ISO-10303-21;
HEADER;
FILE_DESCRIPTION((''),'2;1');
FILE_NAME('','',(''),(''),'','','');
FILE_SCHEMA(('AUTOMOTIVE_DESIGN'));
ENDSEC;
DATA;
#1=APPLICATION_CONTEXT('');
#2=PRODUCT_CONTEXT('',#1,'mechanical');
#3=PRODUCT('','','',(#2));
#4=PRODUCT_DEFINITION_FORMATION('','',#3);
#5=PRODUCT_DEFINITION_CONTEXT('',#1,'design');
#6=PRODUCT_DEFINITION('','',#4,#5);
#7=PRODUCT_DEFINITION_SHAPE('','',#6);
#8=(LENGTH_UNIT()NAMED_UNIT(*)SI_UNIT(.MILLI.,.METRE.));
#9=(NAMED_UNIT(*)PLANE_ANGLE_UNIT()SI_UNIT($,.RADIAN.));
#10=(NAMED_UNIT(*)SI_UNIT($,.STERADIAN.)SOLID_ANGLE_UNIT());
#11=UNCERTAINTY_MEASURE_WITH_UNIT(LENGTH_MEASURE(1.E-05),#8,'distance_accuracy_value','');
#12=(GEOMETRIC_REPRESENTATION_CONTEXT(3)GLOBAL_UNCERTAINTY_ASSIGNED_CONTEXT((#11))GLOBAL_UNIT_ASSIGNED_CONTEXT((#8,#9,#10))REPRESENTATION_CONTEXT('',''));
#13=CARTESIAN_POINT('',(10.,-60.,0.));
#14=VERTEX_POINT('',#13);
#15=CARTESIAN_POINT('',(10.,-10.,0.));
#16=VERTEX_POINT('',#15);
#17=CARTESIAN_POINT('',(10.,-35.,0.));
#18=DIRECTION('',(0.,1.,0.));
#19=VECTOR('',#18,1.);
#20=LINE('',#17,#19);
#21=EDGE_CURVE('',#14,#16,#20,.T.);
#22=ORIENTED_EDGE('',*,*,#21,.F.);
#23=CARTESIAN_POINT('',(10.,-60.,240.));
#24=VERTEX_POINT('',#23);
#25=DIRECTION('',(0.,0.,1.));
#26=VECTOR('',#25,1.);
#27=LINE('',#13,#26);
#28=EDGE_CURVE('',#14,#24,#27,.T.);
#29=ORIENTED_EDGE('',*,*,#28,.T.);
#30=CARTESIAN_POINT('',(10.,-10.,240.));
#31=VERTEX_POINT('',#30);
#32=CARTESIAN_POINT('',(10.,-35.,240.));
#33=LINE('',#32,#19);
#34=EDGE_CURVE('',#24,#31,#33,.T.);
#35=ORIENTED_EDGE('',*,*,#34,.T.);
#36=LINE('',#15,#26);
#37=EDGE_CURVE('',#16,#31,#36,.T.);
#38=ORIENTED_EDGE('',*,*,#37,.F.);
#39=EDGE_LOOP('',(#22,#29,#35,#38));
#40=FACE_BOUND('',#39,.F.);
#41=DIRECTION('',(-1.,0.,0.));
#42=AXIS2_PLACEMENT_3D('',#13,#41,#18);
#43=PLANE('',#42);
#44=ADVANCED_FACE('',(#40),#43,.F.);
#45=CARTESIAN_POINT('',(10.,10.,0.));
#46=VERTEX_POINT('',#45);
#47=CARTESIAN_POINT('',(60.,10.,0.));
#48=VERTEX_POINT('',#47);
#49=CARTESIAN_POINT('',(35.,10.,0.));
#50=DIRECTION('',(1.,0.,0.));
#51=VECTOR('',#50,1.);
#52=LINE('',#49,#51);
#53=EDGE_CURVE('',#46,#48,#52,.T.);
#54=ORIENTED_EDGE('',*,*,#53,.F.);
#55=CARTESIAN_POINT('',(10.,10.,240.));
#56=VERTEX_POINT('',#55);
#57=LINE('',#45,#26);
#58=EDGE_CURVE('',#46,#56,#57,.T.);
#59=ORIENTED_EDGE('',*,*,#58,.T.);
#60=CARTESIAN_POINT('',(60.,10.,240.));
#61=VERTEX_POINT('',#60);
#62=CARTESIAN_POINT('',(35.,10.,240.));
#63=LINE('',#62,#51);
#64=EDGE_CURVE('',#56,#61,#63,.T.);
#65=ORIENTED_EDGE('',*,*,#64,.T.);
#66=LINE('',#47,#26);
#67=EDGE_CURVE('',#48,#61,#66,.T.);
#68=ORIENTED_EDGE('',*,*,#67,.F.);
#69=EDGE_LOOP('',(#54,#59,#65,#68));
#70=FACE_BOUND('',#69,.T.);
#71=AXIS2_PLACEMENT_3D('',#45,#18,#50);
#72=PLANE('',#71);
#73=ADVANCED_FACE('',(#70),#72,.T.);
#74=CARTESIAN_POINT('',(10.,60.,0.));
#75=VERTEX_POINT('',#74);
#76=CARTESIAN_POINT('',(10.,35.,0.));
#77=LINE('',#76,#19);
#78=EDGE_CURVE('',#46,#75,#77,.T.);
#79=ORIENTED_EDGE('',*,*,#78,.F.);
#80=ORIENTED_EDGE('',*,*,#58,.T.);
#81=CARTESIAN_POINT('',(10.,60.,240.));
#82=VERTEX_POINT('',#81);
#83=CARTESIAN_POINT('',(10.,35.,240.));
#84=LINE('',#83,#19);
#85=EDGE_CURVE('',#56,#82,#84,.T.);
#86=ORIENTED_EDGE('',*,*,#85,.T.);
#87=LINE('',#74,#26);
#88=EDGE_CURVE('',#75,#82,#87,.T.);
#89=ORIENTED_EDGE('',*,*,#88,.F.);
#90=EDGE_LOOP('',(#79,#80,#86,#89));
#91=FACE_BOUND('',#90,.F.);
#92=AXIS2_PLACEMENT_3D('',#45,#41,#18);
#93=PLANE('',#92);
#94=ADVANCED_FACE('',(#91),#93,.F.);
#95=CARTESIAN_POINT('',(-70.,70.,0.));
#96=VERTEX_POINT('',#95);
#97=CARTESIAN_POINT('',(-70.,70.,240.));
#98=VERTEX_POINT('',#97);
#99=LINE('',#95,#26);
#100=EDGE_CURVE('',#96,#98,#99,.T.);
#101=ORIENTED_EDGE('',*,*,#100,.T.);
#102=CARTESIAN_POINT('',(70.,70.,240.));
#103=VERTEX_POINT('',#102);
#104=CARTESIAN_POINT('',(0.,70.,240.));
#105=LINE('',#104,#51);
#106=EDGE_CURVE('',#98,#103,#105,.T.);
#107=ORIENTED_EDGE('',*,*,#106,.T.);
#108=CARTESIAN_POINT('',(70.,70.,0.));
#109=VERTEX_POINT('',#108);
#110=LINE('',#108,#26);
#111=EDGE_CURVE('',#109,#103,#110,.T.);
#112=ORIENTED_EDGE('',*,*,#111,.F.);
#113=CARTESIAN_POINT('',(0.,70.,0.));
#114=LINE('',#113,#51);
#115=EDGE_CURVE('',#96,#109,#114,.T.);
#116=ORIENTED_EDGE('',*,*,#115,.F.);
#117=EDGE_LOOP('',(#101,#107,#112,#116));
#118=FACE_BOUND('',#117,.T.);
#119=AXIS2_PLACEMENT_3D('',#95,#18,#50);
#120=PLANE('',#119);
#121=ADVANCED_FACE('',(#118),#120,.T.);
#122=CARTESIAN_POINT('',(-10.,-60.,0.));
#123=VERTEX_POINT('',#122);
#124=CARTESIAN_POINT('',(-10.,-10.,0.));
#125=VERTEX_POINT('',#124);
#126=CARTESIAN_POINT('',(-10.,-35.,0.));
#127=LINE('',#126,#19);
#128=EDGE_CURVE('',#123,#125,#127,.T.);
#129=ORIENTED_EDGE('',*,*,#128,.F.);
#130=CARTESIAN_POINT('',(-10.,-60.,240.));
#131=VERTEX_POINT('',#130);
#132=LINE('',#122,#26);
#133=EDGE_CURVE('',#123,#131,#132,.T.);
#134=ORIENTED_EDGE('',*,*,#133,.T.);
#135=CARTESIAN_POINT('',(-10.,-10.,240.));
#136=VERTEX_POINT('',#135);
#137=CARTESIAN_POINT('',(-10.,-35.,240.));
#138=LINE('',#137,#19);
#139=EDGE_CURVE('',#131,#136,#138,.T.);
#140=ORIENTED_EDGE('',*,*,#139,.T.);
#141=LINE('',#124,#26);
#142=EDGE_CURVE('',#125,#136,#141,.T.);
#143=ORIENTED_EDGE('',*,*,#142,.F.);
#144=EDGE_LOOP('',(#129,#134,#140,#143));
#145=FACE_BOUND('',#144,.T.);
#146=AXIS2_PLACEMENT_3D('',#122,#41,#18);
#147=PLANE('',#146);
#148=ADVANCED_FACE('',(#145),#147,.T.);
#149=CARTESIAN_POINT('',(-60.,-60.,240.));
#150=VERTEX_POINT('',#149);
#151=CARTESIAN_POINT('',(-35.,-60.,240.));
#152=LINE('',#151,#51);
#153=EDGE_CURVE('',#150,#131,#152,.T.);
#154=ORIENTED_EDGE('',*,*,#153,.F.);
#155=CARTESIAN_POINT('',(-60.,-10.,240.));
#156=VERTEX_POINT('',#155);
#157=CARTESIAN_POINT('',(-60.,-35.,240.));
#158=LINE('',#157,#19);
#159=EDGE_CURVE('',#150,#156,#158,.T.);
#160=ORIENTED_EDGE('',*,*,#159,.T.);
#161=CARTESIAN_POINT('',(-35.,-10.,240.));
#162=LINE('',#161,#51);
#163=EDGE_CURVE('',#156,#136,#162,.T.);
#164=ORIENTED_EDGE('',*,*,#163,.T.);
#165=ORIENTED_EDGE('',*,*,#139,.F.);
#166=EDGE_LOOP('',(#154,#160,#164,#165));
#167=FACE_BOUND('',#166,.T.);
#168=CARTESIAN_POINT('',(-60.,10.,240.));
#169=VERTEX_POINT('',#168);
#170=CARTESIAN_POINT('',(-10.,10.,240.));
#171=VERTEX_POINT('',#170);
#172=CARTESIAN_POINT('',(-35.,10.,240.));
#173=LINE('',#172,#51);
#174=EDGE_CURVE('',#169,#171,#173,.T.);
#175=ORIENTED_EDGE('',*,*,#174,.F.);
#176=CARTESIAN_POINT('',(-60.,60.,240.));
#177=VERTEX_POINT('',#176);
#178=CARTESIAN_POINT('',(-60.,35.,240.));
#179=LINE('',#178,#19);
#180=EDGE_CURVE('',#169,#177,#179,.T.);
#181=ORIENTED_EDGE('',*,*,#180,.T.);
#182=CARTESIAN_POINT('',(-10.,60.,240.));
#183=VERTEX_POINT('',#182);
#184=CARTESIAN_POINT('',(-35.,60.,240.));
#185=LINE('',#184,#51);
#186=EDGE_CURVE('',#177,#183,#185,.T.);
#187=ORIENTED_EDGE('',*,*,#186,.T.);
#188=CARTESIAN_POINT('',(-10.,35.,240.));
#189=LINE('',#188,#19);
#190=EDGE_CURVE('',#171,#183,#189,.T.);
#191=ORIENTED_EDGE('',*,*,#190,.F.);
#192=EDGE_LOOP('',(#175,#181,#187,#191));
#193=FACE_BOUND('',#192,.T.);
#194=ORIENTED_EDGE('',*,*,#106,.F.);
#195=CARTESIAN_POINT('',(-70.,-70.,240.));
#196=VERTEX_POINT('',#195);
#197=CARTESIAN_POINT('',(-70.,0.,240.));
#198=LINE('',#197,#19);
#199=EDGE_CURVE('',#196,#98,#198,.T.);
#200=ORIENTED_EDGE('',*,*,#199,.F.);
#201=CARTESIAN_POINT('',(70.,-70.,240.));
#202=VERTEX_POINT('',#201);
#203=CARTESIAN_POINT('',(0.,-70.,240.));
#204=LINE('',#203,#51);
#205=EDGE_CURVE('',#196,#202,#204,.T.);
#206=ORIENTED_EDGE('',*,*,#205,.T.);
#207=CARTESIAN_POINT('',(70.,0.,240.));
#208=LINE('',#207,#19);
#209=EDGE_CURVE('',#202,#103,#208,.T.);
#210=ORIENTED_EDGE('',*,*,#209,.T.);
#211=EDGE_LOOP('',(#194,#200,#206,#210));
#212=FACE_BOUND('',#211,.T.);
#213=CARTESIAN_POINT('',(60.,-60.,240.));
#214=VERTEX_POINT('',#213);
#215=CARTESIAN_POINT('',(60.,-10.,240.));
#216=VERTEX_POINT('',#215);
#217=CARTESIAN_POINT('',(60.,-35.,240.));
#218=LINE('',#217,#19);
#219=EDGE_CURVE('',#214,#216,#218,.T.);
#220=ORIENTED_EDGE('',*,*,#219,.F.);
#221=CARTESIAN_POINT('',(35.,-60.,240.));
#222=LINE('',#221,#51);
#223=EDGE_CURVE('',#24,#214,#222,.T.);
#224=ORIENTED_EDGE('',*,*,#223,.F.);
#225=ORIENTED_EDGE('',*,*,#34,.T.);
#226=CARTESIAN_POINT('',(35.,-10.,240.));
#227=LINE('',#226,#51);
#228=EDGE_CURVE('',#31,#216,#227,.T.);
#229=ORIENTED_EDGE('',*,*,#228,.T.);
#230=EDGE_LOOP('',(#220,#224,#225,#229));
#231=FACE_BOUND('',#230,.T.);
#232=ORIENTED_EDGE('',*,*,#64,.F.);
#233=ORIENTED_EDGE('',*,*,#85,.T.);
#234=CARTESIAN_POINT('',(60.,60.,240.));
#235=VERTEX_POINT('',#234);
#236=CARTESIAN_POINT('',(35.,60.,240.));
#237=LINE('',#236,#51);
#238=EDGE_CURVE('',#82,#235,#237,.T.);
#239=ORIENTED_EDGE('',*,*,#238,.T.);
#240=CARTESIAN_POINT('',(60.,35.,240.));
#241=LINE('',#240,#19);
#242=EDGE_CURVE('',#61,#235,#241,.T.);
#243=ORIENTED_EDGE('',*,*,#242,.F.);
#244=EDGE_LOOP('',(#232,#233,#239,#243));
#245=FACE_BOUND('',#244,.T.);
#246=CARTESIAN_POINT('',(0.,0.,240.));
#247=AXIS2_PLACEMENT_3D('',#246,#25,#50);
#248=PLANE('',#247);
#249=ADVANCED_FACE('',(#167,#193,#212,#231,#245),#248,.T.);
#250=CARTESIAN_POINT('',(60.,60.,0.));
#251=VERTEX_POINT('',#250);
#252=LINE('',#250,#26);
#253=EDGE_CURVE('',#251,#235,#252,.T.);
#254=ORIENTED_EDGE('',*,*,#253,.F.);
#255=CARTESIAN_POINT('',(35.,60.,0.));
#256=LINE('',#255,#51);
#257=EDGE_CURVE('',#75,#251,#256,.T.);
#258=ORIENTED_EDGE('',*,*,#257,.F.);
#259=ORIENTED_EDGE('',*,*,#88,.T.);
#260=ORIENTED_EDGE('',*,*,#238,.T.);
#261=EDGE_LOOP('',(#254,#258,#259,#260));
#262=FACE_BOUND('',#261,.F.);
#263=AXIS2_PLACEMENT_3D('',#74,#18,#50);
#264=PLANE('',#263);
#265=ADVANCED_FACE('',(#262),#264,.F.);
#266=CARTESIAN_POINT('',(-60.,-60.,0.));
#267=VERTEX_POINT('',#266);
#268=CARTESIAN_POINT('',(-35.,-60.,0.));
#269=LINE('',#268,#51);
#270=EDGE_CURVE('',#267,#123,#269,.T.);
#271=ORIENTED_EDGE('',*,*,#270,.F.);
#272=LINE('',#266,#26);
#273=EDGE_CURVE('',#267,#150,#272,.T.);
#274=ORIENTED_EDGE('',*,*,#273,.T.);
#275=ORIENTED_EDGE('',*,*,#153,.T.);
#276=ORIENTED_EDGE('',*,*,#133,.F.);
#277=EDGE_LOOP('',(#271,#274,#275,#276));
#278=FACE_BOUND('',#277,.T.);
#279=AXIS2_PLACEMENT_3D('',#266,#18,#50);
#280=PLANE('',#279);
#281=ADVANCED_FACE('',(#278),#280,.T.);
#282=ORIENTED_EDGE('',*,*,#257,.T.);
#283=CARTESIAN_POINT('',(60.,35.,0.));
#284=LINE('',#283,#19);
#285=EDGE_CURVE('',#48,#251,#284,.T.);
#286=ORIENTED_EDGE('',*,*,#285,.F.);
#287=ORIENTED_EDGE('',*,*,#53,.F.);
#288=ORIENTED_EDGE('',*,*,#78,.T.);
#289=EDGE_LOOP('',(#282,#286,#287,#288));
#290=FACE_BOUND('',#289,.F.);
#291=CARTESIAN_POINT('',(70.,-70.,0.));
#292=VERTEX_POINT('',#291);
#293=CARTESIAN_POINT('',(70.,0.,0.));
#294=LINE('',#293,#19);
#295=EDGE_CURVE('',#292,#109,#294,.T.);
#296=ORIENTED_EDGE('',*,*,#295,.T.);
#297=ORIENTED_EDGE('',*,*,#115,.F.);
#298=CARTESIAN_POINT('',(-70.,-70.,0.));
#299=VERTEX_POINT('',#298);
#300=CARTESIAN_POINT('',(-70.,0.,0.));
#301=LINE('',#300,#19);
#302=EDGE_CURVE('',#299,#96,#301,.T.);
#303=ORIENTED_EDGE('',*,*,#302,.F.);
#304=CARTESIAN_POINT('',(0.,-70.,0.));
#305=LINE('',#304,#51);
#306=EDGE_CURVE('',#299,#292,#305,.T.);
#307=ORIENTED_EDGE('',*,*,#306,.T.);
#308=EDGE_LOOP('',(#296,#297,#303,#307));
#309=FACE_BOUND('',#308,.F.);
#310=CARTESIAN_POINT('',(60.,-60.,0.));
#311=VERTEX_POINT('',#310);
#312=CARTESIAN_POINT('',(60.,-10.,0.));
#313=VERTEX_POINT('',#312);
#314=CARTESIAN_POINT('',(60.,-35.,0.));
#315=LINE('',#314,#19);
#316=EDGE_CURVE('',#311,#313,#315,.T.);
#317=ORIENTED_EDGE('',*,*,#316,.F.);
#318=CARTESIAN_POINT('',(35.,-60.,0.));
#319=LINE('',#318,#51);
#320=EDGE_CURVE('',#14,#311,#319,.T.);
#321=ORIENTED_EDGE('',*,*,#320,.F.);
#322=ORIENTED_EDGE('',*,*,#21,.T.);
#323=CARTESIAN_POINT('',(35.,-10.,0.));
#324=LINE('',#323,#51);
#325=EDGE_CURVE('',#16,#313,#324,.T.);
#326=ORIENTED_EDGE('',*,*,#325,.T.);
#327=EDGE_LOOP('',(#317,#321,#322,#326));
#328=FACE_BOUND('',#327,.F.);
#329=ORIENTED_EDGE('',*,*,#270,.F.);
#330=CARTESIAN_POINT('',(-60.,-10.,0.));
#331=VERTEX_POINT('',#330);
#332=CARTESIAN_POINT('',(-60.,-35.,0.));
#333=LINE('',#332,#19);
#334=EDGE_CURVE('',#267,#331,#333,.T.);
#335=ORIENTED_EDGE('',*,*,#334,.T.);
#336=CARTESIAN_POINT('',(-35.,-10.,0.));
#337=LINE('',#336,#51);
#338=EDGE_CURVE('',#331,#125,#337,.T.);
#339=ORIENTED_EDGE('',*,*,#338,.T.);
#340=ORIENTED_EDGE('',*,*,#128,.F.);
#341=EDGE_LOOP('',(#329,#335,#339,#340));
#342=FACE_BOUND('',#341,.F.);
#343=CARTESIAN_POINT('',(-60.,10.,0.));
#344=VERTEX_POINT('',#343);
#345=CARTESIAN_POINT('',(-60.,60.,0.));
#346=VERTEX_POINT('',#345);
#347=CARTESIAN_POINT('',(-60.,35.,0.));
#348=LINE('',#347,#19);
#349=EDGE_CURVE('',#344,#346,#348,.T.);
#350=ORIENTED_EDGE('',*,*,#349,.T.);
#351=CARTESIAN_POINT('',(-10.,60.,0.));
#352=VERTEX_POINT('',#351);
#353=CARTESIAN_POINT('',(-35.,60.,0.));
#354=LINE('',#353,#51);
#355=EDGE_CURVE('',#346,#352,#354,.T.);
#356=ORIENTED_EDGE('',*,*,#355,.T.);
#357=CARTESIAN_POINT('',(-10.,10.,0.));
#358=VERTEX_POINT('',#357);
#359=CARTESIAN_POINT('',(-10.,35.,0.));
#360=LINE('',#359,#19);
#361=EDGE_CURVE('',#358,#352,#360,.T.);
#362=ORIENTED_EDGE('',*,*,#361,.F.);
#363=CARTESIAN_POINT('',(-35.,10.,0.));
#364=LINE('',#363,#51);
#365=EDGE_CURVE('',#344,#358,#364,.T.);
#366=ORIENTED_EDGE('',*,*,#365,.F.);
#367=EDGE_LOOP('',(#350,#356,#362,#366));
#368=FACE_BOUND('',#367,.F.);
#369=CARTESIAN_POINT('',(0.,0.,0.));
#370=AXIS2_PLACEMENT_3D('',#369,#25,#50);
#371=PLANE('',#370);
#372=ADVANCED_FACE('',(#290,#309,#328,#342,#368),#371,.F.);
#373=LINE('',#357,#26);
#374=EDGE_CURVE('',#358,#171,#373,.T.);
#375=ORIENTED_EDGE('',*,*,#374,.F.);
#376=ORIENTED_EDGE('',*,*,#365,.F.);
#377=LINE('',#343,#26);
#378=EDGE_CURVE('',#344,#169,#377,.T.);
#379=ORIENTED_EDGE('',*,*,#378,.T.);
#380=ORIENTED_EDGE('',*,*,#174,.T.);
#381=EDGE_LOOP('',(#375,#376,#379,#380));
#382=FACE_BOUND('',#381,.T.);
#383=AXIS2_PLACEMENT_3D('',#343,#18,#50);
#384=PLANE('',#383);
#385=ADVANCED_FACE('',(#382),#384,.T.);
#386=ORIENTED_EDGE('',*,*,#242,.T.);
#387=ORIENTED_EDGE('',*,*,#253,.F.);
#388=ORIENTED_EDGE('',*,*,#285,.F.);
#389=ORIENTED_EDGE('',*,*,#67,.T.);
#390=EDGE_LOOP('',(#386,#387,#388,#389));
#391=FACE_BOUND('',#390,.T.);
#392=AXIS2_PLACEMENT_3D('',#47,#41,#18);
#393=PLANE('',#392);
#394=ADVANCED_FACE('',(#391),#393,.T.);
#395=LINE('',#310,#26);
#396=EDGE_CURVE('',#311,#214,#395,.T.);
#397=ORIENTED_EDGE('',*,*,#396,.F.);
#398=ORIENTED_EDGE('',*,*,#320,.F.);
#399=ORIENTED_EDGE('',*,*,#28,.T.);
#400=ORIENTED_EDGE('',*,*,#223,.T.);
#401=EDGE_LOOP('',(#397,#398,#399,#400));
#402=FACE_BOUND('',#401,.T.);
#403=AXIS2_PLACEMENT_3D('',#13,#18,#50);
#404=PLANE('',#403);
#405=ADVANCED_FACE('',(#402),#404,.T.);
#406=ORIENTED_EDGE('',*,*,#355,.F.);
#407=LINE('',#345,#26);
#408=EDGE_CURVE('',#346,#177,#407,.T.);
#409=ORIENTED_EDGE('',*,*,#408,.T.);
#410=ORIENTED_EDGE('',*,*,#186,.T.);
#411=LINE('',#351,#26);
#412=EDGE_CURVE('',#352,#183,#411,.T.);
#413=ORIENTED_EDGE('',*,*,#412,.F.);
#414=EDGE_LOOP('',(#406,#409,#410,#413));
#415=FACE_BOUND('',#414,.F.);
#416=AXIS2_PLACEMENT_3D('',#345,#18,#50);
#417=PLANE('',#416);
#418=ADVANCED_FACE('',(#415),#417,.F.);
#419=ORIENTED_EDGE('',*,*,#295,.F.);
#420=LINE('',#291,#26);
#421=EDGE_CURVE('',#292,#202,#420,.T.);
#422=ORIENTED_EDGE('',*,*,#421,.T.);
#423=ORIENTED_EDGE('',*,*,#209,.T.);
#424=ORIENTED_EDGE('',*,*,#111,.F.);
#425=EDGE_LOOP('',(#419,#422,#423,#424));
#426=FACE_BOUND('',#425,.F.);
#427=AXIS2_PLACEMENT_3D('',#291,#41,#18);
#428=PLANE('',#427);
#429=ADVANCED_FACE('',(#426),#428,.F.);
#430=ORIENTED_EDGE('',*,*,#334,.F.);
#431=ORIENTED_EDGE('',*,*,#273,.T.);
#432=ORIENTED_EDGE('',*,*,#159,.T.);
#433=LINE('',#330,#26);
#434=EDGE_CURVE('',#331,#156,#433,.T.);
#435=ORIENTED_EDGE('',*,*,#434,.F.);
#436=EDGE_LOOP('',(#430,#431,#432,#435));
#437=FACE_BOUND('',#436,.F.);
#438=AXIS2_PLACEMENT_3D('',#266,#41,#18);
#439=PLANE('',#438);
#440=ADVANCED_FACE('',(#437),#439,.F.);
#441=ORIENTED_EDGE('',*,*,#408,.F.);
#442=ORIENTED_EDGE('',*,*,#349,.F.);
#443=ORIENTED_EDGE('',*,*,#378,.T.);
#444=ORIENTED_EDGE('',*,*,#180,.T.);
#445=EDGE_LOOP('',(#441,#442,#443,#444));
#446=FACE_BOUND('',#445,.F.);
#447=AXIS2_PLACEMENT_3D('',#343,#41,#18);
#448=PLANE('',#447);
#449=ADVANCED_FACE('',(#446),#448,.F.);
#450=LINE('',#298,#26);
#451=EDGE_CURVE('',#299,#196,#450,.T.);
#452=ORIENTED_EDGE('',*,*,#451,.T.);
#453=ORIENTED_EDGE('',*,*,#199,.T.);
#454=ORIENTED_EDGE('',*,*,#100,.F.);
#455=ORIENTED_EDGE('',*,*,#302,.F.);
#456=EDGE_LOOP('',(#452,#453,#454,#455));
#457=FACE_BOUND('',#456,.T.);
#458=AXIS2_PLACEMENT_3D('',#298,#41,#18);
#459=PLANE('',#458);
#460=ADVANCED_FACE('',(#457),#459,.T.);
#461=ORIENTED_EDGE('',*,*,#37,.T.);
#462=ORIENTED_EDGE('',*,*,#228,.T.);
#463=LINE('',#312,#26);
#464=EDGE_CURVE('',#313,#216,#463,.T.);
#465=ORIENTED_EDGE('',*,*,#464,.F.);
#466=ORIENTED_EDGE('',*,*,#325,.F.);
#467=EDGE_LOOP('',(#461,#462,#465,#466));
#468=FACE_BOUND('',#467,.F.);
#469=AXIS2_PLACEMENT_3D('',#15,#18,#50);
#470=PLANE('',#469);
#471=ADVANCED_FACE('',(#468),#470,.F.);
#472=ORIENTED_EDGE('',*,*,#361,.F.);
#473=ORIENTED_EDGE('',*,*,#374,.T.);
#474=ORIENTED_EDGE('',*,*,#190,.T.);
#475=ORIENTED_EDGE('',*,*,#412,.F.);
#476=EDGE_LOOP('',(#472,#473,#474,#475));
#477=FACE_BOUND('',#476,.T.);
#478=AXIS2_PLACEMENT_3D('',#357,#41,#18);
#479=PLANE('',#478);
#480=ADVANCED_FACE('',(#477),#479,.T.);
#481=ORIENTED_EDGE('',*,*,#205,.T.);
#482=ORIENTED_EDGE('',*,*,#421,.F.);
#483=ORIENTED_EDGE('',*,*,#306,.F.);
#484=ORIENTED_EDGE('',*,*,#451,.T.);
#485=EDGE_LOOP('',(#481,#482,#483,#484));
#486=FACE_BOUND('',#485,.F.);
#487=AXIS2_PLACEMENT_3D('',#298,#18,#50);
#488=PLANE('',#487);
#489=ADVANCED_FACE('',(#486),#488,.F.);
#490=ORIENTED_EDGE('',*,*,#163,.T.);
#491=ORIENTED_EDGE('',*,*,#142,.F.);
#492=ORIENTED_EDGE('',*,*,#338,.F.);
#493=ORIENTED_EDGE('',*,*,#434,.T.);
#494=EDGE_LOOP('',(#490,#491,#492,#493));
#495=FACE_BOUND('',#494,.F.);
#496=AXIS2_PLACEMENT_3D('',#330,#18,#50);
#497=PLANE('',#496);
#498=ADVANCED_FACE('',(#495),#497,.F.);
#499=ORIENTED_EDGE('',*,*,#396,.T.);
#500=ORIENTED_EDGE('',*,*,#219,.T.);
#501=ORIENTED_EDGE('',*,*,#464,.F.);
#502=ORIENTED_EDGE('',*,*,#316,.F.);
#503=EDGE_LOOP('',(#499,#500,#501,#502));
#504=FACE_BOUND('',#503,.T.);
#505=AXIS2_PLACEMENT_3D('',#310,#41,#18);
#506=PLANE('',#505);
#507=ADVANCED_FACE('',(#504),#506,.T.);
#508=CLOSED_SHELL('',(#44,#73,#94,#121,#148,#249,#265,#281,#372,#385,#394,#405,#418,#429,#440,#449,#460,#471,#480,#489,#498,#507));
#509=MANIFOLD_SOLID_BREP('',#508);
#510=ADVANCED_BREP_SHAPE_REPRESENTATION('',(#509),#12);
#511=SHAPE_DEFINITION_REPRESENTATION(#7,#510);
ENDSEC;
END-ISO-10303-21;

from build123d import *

# Parameters (mm, degrees)
SKETCH_W   = 140
SKETCH_H   = 140
SKETCH_W_2 = 50
SKETCH_H_2 = 50
PAD_DEPTH  = 240


with BuildPart() as part:
    # Sketch → Pad (new body)
    with BuildSketch(Plane.XY):
        Rectangle(SKETCH_W, SKETCH_H)
        with Locations((-35, 35)):
            Rectangle(SKETCH_W_2, SKETCH_H_2, mode=Mode.SUBTRACT)
        with Locations((-35, -35)):
            Rectangle(SKETCH_W_2, SKETCH_H_2, mode=Mode.SUBTRACT)
        with Locations((35, 35)):
            Rectangle(SKETCH_W_2, SKETCH_H_2, mode=Mode.SUBTRACT)
        with Locations((35, -35)):
            Rectangle(SKETCH_W_2, SKETCH_H_2, mode=Mode.SUBTRACT)
    extrude(amount=PAD_DEPTH)


solid = part.part
